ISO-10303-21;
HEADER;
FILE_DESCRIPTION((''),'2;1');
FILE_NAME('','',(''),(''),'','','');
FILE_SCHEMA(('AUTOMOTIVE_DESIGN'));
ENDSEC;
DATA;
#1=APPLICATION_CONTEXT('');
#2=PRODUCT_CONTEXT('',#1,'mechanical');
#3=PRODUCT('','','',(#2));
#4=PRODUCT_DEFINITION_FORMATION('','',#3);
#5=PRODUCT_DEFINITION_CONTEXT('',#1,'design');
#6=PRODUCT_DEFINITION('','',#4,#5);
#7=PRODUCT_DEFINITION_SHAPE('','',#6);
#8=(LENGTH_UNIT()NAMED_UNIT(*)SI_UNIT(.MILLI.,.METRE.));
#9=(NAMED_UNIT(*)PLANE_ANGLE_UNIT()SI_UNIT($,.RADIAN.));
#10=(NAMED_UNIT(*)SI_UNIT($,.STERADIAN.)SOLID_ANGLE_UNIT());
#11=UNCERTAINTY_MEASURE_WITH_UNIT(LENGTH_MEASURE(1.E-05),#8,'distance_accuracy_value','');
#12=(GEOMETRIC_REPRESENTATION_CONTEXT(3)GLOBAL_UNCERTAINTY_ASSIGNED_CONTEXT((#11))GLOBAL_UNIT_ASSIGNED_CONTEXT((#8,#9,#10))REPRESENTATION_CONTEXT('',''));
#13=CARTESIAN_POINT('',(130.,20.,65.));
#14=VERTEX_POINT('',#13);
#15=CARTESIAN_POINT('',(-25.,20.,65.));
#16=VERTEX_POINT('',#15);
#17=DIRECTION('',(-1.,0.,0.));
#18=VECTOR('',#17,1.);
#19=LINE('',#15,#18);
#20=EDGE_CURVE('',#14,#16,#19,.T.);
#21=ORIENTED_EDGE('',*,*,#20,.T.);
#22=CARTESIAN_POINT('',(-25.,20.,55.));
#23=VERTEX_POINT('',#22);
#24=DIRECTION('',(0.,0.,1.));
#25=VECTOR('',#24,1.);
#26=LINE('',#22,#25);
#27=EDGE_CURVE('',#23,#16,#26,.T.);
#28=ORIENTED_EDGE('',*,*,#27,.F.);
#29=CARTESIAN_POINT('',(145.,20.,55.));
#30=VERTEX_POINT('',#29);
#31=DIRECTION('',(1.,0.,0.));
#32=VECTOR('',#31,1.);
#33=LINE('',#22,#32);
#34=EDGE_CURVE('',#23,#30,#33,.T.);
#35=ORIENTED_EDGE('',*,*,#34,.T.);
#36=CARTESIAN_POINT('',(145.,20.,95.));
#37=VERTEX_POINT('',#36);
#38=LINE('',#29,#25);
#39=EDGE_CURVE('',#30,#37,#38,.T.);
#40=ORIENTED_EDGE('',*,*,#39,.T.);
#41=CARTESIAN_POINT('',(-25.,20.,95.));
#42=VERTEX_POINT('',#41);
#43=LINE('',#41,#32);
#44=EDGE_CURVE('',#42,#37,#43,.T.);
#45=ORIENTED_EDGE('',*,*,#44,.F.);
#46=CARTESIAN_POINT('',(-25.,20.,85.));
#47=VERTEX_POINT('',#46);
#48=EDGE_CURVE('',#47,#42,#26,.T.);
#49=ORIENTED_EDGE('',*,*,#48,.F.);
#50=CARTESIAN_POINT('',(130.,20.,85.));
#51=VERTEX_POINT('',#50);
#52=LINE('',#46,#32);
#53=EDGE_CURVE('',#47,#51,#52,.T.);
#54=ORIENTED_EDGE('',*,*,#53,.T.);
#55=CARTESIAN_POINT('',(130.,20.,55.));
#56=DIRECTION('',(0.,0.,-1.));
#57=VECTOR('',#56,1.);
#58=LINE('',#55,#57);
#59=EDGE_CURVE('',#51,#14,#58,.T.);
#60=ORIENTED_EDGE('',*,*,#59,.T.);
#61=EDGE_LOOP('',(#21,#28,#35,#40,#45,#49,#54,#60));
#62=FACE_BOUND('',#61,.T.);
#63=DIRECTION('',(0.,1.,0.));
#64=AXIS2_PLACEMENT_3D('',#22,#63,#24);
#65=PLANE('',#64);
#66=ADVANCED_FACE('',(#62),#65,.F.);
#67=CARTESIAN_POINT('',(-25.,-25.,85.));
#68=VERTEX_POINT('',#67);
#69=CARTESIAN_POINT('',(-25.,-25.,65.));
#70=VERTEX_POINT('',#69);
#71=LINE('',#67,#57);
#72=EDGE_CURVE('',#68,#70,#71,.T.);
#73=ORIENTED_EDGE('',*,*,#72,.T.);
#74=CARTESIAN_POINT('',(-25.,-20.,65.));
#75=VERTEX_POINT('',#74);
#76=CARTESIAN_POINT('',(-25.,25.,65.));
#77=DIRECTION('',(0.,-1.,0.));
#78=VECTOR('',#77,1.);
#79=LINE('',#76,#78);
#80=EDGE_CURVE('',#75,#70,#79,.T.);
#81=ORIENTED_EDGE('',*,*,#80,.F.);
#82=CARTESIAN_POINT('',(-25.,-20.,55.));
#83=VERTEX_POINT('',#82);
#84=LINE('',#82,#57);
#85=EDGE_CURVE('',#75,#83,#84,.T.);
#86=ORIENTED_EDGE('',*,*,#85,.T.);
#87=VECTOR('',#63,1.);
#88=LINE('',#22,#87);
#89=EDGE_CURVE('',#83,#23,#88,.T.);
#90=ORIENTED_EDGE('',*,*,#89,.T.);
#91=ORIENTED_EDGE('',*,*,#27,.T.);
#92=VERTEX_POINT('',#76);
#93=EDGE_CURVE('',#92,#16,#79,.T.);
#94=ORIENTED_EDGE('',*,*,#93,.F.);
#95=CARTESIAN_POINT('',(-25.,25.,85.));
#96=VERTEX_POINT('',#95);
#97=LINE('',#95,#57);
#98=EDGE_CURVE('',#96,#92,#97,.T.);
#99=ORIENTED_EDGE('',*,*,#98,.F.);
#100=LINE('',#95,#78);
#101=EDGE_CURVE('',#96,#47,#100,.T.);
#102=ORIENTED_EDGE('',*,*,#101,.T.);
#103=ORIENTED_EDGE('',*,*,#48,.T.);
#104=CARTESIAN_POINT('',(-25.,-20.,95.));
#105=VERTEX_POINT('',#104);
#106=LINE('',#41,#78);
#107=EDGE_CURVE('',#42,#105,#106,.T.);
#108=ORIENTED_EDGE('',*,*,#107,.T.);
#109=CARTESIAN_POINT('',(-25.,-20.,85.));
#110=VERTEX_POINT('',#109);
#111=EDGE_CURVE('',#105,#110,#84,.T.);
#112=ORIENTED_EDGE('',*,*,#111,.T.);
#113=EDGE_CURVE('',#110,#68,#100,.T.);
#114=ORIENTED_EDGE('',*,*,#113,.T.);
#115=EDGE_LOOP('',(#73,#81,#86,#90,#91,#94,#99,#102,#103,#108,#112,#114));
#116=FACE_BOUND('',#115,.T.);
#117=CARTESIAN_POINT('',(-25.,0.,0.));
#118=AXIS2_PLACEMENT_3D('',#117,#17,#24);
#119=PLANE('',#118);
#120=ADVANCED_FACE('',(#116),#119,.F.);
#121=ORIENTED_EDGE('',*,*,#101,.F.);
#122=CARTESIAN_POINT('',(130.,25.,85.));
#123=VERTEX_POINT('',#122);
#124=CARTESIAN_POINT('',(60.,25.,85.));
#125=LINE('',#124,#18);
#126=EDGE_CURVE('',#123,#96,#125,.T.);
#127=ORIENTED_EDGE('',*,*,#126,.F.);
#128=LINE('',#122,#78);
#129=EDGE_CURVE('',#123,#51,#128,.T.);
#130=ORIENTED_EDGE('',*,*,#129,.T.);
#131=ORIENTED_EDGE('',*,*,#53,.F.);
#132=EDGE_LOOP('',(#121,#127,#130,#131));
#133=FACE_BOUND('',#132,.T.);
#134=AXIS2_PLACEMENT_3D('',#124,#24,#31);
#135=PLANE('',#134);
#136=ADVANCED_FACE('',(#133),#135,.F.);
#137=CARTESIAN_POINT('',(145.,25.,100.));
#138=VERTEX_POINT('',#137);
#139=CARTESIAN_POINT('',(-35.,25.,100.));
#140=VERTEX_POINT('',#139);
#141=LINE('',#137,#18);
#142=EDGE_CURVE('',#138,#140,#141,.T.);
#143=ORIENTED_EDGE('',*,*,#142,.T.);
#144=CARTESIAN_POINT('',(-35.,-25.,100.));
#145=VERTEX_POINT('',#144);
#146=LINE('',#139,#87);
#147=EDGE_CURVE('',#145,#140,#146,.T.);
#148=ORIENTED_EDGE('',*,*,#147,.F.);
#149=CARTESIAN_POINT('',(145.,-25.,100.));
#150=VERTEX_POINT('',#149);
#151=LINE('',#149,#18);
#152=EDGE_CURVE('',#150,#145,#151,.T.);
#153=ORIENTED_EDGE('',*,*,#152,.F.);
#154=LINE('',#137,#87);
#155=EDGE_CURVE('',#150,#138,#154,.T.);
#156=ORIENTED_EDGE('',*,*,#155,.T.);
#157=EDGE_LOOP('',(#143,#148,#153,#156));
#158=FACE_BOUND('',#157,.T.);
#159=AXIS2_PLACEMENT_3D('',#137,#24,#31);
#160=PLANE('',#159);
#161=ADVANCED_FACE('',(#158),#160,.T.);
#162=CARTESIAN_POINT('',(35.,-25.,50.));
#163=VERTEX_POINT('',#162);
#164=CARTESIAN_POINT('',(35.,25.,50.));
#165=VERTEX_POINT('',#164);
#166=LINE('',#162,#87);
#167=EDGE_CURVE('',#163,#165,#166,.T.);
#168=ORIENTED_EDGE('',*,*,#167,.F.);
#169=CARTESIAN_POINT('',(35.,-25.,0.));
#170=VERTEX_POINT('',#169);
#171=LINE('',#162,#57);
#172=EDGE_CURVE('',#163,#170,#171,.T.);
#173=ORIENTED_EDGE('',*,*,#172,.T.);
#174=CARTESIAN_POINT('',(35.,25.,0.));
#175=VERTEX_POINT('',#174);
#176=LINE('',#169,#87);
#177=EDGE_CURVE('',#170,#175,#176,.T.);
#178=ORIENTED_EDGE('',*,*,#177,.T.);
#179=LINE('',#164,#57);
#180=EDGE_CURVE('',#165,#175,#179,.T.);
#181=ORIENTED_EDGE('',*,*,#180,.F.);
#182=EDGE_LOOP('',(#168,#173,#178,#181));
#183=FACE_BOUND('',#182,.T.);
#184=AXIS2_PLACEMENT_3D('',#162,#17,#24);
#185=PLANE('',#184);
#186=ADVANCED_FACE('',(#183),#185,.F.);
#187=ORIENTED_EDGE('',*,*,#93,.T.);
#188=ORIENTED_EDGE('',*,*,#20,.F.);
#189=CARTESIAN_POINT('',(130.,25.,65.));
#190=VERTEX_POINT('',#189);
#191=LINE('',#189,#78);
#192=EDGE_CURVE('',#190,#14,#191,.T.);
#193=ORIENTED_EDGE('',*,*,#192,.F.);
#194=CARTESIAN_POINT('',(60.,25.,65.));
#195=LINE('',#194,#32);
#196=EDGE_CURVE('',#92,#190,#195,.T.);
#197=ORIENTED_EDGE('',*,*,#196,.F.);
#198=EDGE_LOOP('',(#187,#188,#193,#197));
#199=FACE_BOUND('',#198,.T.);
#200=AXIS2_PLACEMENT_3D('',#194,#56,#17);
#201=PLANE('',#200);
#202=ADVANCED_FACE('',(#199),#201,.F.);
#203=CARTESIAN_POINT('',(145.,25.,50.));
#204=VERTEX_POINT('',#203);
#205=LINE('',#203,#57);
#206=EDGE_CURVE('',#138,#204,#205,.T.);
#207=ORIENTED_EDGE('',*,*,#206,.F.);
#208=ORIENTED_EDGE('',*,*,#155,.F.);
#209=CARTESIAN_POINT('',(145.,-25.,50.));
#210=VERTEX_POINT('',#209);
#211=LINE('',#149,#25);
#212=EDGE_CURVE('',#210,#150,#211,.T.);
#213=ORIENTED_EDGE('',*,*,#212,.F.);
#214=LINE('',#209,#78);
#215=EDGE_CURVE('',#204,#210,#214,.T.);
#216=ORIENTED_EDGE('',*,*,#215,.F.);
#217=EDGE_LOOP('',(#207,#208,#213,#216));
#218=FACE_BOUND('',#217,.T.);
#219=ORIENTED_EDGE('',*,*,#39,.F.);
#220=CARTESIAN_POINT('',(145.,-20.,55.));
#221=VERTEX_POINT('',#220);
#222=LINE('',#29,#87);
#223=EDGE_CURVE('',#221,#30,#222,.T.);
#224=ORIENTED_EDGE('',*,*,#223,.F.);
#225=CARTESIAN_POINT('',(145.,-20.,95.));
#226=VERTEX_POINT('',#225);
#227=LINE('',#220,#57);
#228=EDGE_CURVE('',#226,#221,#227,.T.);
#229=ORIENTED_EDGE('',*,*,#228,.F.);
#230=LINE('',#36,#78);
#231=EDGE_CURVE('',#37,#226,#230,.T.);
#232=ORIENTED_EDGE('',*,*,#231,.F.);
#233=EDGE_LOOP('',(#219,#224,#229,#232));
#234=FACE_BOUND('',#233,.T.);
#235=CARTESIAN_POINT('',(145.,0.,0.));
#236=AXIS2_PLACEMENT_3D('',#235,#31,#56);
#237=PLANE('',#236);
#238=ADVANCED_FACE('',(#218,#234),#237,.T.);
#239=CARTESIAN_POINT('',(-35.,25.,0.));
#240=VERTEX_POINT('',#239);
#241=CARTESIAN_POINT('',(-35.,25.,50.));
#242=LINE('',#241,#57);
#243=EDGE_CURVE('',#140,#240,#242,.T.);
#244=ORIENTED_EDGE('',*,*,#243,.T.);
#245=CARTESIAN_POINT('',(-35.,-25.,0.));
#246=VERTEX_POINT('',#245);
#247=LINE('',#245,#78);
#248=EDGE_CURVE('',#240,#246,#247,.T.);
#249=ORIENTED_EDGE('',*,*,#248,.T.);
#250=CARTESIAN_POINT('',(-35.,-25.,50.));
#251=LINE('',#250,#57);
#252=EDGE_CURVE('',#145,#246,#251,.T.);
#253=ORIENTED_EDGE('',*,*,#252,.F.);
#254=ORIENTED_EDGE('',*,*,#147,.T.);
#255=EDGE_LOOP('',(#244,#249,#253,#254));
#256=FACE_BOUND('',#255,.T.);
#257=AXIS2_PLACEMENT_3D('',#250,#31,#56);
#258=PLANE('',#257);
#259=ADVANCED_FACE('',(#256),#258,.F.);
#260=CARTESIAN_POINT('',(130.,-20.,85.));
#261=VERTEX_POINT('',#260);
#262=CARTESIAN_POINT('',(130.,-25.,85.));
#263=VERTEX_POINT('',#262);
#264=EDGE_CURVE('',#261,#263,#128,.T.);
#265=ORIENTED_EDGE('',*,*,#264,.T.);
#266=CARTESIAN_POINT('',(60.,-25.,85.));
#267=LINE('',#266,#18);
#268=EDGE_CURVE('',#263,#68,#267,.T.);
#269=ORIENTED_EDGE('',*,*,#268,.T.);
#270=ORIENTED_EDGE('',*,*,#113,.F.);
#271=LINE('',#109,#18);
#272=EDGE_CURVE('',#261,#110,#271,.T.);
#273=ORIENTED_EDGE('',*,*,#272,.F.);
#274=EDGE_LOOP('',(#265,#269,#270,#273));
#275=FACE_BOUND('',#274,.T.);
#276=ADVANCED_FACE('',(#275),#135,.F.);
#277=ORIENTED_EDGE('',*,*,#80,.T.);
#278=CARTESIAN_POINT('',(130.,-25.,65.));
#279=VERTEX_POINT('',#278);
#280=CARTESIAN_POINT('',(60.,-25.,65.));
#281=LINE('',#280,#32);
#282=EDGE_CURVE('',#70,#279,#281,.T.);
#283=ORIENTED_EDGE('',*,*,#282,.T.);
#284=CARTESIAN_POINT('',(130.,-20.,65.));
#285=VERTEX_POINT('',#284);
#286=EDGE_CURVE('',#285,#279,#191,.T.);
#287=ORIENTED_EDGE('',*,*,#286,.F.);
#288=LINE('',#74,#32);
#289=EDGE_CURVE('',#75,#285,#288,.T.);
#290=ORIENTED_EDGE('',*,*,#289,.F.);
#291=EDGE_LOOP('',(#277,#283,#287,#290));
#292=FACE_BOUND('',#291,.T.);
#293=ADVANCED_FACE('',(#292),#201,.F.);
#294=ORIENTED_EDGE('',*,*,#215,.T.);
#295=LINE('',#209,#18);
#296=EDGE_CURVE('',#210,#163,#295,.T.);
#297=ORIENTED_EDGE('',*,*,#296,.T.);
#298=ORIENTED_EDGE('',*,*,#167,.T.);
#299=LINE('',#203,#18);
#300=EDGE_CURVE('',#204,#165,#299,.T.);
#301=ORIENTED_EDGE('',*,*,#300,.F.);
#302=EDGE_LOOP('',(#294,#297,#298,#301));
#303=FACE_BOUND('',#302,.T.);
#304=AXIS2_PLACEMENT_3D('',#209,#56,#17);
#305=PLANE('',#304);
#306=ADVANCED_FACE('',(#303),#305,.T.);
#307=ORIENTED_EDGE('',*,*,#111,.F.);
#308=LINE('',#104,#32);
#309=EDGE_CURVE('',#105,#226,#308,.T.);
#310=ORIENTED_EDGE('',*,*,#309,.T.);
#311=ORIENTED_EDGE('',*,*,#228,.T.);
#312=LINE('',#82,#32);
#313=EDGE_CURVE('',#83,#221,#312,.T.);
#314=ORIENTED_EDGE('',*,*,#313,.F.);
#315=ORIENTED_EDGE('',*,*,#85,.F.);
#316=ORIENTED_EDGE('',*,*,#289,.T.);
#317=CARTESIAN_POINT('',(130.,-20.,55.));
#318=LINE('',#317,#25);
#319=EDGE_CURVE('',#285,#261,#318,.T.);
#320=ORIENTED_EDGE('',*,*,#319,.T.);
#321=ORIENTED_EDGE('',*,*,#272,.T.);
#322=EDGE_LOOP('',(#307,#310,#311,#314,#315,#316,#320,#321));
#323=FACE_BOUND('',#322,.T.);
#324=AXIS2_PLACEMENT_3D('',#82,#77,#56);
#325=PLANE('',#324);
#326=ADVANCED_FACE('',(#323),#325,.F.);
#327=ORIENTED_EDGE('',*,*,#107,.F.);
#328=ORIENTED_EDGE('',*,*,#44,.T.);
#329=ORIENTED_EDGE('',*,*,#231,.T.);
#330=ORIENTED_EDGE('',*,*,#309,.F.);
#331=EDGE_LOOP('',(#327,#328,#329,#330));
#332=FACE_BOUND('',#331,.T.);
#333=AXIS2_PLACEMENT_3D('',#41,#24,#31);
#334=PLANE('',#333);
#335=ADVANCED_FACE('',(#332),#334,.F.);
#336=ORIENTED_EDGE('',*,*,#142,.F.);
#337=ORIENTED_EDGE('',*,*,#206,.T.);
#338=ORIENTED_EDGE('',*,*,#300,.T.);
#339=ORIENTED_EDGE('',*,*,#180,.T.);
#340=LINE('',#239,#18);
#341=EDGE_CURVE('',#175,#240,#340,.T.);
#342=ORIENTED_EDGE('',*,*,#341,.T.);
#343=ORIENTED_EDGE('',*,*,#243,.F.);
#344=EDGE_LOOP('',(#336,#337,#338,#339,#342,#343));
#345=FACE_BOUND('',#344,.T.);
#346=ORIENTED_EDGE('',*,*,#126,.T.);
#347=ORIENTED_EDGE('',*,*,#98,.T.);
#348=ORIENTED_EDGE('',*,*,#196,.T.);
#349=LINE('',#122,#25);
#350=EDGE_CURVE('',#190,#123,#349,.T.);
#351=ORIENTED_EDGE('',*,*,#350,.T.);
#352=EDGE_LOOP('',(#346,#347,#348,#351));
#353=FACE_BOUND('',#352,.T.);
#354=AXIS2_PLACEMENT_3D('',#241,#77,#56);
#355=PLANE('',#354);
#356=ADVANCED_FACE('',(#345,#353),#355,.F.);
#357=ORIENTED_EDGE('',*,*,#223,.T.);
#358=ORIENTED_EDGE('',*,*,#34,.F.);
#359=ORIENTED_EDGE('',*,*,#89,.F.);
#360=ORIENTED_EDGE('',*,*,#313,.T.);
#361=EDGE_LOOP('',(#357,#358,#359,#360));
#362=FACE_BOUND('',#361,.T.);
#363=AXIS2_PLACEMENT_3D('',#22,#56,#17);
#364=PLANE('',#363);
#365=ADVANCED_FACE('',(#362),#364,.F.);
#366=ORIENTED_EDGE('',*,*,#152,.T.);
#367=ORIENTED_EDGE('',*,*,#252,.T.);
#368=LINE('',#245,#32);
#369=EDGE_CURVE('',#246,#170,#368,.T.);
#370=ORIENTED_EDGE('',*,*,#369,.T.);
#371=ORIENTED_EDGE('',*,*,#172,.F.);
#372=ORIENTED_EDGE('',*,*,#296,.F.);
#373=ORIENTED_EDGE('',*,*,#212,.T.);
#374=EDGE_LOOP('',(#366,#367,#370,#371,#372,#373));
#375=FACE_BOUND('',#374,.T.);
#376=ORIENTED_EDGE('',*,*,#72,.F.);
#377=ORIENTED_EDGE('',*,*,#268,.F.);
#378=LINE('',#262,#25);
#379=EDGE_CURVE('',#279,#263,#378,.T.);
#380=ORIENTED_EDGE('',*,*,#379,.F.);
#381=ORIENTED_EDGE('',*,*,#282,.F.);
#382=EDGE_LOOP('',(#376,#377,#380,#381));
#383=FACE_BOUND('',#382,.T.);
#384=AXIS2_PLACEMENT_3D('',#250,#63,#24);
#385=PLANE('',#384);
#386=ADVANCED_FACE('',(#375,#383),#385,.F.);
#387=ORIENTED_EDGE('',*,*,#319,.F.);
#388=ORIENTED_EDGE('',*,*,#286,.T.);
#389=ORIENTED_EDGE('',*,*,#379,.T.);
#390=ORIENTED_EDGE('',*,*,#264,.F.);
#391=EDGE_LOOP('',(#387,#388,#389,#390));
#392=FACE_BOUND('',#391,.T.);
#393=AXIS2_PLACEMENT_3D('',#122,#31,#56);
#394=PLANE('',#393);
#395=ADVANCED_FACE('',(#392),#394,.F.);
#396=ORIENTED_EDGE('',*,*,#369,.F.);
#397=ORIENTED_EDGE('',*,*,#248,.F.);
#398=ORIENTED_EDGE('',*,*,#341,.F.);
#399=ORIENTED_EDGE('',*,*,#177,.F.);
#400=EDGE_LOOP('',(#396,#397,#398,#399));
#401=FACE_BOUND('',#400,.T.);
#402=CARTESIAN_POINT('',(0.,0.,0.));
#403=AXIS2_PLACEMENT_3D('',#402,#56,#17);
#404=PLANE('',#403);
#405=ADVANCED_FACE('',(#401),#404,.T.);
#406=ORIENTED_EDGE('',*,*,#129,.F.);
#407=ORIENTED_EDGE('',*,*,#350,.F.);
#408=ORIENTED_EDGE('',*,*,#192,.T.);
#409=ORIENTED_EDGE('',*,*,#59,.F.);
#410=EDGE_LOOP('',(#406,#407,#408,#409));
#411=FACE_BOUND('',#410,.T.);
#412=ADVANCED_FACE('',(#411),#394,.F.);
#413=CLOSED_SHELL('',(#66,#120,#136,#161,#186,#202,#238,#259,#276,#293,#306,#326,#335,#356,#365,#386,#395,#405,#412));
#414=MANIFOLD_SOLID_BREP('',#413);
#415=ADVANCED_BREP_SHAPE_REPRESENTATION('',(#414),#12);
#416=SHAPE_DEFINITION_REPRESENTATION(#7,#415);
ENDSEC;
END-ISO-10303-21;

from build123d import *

# Parameters (mm, degrees)
CROQUIS1_W              = 70
CROQUIS1_H              = 50
SALIENTE_EXTRUIR1_DEPTH = 50
CROQUIS2_W              = 50
CROQUIS2_H              = 50
SALIENTE_EXTRUIR2_DEPTH = 180
CROQUIS3_W              = 40
CROQUIS3_H              = 40
CORTAR_EXTRUIR1_DEPTH   = 170
CORTAR_EXTRUIR2_DEPTH   = 50


with BuildPart() as part:
    # Croquis1 → Saliente-Extruir1 (new body)
    with BuildSketch(Plane.XY):
        Rectangle(CROQUIS1_W, CROQUIS1_H)
    extrude(amount=SALIENTE_EXTRUIR1_DEPTH)

    # Croquis2 → Saliente-Extruir2 (add)
    with BuildSketch(Plane.ZY.offset(35)):
        with Locations((75, 0)):
            Rectangle(CROQUIS2_W, CROQUIS2_H)
    extrude(amount=-SALIENTE_EXTRUIR2_DEPTH)

    # Croquis3 → Cortar-Extruir1 (cut)
    with BuildSketch(Plane(origin=(145, 0, 0), x_dir=(0, 0, -1), z_dir=(1, 0, 0))):
        with Locations((-75, 0)):
            Rectangle(CROQUIS3_W, CROQUIS3_H)
    extrude(amount=-CORTAR_EXTRUIR1_DEPTH, mode=Mode.SUBTRACT)

    # Croquis4 → Cortar-Extruir2 (cut)
    with BuildSketch(Plane.XZ.offset(25)):
        Polygon((60, 85), (-25, 85), (-25, 65), (60, 65), (130, 65), (130, 85), align=None)
    extrude(amount=-CORTAR_EXTRUIR2_DEPTH, mode=Mode.SUBTRACT)


solid = part.part
